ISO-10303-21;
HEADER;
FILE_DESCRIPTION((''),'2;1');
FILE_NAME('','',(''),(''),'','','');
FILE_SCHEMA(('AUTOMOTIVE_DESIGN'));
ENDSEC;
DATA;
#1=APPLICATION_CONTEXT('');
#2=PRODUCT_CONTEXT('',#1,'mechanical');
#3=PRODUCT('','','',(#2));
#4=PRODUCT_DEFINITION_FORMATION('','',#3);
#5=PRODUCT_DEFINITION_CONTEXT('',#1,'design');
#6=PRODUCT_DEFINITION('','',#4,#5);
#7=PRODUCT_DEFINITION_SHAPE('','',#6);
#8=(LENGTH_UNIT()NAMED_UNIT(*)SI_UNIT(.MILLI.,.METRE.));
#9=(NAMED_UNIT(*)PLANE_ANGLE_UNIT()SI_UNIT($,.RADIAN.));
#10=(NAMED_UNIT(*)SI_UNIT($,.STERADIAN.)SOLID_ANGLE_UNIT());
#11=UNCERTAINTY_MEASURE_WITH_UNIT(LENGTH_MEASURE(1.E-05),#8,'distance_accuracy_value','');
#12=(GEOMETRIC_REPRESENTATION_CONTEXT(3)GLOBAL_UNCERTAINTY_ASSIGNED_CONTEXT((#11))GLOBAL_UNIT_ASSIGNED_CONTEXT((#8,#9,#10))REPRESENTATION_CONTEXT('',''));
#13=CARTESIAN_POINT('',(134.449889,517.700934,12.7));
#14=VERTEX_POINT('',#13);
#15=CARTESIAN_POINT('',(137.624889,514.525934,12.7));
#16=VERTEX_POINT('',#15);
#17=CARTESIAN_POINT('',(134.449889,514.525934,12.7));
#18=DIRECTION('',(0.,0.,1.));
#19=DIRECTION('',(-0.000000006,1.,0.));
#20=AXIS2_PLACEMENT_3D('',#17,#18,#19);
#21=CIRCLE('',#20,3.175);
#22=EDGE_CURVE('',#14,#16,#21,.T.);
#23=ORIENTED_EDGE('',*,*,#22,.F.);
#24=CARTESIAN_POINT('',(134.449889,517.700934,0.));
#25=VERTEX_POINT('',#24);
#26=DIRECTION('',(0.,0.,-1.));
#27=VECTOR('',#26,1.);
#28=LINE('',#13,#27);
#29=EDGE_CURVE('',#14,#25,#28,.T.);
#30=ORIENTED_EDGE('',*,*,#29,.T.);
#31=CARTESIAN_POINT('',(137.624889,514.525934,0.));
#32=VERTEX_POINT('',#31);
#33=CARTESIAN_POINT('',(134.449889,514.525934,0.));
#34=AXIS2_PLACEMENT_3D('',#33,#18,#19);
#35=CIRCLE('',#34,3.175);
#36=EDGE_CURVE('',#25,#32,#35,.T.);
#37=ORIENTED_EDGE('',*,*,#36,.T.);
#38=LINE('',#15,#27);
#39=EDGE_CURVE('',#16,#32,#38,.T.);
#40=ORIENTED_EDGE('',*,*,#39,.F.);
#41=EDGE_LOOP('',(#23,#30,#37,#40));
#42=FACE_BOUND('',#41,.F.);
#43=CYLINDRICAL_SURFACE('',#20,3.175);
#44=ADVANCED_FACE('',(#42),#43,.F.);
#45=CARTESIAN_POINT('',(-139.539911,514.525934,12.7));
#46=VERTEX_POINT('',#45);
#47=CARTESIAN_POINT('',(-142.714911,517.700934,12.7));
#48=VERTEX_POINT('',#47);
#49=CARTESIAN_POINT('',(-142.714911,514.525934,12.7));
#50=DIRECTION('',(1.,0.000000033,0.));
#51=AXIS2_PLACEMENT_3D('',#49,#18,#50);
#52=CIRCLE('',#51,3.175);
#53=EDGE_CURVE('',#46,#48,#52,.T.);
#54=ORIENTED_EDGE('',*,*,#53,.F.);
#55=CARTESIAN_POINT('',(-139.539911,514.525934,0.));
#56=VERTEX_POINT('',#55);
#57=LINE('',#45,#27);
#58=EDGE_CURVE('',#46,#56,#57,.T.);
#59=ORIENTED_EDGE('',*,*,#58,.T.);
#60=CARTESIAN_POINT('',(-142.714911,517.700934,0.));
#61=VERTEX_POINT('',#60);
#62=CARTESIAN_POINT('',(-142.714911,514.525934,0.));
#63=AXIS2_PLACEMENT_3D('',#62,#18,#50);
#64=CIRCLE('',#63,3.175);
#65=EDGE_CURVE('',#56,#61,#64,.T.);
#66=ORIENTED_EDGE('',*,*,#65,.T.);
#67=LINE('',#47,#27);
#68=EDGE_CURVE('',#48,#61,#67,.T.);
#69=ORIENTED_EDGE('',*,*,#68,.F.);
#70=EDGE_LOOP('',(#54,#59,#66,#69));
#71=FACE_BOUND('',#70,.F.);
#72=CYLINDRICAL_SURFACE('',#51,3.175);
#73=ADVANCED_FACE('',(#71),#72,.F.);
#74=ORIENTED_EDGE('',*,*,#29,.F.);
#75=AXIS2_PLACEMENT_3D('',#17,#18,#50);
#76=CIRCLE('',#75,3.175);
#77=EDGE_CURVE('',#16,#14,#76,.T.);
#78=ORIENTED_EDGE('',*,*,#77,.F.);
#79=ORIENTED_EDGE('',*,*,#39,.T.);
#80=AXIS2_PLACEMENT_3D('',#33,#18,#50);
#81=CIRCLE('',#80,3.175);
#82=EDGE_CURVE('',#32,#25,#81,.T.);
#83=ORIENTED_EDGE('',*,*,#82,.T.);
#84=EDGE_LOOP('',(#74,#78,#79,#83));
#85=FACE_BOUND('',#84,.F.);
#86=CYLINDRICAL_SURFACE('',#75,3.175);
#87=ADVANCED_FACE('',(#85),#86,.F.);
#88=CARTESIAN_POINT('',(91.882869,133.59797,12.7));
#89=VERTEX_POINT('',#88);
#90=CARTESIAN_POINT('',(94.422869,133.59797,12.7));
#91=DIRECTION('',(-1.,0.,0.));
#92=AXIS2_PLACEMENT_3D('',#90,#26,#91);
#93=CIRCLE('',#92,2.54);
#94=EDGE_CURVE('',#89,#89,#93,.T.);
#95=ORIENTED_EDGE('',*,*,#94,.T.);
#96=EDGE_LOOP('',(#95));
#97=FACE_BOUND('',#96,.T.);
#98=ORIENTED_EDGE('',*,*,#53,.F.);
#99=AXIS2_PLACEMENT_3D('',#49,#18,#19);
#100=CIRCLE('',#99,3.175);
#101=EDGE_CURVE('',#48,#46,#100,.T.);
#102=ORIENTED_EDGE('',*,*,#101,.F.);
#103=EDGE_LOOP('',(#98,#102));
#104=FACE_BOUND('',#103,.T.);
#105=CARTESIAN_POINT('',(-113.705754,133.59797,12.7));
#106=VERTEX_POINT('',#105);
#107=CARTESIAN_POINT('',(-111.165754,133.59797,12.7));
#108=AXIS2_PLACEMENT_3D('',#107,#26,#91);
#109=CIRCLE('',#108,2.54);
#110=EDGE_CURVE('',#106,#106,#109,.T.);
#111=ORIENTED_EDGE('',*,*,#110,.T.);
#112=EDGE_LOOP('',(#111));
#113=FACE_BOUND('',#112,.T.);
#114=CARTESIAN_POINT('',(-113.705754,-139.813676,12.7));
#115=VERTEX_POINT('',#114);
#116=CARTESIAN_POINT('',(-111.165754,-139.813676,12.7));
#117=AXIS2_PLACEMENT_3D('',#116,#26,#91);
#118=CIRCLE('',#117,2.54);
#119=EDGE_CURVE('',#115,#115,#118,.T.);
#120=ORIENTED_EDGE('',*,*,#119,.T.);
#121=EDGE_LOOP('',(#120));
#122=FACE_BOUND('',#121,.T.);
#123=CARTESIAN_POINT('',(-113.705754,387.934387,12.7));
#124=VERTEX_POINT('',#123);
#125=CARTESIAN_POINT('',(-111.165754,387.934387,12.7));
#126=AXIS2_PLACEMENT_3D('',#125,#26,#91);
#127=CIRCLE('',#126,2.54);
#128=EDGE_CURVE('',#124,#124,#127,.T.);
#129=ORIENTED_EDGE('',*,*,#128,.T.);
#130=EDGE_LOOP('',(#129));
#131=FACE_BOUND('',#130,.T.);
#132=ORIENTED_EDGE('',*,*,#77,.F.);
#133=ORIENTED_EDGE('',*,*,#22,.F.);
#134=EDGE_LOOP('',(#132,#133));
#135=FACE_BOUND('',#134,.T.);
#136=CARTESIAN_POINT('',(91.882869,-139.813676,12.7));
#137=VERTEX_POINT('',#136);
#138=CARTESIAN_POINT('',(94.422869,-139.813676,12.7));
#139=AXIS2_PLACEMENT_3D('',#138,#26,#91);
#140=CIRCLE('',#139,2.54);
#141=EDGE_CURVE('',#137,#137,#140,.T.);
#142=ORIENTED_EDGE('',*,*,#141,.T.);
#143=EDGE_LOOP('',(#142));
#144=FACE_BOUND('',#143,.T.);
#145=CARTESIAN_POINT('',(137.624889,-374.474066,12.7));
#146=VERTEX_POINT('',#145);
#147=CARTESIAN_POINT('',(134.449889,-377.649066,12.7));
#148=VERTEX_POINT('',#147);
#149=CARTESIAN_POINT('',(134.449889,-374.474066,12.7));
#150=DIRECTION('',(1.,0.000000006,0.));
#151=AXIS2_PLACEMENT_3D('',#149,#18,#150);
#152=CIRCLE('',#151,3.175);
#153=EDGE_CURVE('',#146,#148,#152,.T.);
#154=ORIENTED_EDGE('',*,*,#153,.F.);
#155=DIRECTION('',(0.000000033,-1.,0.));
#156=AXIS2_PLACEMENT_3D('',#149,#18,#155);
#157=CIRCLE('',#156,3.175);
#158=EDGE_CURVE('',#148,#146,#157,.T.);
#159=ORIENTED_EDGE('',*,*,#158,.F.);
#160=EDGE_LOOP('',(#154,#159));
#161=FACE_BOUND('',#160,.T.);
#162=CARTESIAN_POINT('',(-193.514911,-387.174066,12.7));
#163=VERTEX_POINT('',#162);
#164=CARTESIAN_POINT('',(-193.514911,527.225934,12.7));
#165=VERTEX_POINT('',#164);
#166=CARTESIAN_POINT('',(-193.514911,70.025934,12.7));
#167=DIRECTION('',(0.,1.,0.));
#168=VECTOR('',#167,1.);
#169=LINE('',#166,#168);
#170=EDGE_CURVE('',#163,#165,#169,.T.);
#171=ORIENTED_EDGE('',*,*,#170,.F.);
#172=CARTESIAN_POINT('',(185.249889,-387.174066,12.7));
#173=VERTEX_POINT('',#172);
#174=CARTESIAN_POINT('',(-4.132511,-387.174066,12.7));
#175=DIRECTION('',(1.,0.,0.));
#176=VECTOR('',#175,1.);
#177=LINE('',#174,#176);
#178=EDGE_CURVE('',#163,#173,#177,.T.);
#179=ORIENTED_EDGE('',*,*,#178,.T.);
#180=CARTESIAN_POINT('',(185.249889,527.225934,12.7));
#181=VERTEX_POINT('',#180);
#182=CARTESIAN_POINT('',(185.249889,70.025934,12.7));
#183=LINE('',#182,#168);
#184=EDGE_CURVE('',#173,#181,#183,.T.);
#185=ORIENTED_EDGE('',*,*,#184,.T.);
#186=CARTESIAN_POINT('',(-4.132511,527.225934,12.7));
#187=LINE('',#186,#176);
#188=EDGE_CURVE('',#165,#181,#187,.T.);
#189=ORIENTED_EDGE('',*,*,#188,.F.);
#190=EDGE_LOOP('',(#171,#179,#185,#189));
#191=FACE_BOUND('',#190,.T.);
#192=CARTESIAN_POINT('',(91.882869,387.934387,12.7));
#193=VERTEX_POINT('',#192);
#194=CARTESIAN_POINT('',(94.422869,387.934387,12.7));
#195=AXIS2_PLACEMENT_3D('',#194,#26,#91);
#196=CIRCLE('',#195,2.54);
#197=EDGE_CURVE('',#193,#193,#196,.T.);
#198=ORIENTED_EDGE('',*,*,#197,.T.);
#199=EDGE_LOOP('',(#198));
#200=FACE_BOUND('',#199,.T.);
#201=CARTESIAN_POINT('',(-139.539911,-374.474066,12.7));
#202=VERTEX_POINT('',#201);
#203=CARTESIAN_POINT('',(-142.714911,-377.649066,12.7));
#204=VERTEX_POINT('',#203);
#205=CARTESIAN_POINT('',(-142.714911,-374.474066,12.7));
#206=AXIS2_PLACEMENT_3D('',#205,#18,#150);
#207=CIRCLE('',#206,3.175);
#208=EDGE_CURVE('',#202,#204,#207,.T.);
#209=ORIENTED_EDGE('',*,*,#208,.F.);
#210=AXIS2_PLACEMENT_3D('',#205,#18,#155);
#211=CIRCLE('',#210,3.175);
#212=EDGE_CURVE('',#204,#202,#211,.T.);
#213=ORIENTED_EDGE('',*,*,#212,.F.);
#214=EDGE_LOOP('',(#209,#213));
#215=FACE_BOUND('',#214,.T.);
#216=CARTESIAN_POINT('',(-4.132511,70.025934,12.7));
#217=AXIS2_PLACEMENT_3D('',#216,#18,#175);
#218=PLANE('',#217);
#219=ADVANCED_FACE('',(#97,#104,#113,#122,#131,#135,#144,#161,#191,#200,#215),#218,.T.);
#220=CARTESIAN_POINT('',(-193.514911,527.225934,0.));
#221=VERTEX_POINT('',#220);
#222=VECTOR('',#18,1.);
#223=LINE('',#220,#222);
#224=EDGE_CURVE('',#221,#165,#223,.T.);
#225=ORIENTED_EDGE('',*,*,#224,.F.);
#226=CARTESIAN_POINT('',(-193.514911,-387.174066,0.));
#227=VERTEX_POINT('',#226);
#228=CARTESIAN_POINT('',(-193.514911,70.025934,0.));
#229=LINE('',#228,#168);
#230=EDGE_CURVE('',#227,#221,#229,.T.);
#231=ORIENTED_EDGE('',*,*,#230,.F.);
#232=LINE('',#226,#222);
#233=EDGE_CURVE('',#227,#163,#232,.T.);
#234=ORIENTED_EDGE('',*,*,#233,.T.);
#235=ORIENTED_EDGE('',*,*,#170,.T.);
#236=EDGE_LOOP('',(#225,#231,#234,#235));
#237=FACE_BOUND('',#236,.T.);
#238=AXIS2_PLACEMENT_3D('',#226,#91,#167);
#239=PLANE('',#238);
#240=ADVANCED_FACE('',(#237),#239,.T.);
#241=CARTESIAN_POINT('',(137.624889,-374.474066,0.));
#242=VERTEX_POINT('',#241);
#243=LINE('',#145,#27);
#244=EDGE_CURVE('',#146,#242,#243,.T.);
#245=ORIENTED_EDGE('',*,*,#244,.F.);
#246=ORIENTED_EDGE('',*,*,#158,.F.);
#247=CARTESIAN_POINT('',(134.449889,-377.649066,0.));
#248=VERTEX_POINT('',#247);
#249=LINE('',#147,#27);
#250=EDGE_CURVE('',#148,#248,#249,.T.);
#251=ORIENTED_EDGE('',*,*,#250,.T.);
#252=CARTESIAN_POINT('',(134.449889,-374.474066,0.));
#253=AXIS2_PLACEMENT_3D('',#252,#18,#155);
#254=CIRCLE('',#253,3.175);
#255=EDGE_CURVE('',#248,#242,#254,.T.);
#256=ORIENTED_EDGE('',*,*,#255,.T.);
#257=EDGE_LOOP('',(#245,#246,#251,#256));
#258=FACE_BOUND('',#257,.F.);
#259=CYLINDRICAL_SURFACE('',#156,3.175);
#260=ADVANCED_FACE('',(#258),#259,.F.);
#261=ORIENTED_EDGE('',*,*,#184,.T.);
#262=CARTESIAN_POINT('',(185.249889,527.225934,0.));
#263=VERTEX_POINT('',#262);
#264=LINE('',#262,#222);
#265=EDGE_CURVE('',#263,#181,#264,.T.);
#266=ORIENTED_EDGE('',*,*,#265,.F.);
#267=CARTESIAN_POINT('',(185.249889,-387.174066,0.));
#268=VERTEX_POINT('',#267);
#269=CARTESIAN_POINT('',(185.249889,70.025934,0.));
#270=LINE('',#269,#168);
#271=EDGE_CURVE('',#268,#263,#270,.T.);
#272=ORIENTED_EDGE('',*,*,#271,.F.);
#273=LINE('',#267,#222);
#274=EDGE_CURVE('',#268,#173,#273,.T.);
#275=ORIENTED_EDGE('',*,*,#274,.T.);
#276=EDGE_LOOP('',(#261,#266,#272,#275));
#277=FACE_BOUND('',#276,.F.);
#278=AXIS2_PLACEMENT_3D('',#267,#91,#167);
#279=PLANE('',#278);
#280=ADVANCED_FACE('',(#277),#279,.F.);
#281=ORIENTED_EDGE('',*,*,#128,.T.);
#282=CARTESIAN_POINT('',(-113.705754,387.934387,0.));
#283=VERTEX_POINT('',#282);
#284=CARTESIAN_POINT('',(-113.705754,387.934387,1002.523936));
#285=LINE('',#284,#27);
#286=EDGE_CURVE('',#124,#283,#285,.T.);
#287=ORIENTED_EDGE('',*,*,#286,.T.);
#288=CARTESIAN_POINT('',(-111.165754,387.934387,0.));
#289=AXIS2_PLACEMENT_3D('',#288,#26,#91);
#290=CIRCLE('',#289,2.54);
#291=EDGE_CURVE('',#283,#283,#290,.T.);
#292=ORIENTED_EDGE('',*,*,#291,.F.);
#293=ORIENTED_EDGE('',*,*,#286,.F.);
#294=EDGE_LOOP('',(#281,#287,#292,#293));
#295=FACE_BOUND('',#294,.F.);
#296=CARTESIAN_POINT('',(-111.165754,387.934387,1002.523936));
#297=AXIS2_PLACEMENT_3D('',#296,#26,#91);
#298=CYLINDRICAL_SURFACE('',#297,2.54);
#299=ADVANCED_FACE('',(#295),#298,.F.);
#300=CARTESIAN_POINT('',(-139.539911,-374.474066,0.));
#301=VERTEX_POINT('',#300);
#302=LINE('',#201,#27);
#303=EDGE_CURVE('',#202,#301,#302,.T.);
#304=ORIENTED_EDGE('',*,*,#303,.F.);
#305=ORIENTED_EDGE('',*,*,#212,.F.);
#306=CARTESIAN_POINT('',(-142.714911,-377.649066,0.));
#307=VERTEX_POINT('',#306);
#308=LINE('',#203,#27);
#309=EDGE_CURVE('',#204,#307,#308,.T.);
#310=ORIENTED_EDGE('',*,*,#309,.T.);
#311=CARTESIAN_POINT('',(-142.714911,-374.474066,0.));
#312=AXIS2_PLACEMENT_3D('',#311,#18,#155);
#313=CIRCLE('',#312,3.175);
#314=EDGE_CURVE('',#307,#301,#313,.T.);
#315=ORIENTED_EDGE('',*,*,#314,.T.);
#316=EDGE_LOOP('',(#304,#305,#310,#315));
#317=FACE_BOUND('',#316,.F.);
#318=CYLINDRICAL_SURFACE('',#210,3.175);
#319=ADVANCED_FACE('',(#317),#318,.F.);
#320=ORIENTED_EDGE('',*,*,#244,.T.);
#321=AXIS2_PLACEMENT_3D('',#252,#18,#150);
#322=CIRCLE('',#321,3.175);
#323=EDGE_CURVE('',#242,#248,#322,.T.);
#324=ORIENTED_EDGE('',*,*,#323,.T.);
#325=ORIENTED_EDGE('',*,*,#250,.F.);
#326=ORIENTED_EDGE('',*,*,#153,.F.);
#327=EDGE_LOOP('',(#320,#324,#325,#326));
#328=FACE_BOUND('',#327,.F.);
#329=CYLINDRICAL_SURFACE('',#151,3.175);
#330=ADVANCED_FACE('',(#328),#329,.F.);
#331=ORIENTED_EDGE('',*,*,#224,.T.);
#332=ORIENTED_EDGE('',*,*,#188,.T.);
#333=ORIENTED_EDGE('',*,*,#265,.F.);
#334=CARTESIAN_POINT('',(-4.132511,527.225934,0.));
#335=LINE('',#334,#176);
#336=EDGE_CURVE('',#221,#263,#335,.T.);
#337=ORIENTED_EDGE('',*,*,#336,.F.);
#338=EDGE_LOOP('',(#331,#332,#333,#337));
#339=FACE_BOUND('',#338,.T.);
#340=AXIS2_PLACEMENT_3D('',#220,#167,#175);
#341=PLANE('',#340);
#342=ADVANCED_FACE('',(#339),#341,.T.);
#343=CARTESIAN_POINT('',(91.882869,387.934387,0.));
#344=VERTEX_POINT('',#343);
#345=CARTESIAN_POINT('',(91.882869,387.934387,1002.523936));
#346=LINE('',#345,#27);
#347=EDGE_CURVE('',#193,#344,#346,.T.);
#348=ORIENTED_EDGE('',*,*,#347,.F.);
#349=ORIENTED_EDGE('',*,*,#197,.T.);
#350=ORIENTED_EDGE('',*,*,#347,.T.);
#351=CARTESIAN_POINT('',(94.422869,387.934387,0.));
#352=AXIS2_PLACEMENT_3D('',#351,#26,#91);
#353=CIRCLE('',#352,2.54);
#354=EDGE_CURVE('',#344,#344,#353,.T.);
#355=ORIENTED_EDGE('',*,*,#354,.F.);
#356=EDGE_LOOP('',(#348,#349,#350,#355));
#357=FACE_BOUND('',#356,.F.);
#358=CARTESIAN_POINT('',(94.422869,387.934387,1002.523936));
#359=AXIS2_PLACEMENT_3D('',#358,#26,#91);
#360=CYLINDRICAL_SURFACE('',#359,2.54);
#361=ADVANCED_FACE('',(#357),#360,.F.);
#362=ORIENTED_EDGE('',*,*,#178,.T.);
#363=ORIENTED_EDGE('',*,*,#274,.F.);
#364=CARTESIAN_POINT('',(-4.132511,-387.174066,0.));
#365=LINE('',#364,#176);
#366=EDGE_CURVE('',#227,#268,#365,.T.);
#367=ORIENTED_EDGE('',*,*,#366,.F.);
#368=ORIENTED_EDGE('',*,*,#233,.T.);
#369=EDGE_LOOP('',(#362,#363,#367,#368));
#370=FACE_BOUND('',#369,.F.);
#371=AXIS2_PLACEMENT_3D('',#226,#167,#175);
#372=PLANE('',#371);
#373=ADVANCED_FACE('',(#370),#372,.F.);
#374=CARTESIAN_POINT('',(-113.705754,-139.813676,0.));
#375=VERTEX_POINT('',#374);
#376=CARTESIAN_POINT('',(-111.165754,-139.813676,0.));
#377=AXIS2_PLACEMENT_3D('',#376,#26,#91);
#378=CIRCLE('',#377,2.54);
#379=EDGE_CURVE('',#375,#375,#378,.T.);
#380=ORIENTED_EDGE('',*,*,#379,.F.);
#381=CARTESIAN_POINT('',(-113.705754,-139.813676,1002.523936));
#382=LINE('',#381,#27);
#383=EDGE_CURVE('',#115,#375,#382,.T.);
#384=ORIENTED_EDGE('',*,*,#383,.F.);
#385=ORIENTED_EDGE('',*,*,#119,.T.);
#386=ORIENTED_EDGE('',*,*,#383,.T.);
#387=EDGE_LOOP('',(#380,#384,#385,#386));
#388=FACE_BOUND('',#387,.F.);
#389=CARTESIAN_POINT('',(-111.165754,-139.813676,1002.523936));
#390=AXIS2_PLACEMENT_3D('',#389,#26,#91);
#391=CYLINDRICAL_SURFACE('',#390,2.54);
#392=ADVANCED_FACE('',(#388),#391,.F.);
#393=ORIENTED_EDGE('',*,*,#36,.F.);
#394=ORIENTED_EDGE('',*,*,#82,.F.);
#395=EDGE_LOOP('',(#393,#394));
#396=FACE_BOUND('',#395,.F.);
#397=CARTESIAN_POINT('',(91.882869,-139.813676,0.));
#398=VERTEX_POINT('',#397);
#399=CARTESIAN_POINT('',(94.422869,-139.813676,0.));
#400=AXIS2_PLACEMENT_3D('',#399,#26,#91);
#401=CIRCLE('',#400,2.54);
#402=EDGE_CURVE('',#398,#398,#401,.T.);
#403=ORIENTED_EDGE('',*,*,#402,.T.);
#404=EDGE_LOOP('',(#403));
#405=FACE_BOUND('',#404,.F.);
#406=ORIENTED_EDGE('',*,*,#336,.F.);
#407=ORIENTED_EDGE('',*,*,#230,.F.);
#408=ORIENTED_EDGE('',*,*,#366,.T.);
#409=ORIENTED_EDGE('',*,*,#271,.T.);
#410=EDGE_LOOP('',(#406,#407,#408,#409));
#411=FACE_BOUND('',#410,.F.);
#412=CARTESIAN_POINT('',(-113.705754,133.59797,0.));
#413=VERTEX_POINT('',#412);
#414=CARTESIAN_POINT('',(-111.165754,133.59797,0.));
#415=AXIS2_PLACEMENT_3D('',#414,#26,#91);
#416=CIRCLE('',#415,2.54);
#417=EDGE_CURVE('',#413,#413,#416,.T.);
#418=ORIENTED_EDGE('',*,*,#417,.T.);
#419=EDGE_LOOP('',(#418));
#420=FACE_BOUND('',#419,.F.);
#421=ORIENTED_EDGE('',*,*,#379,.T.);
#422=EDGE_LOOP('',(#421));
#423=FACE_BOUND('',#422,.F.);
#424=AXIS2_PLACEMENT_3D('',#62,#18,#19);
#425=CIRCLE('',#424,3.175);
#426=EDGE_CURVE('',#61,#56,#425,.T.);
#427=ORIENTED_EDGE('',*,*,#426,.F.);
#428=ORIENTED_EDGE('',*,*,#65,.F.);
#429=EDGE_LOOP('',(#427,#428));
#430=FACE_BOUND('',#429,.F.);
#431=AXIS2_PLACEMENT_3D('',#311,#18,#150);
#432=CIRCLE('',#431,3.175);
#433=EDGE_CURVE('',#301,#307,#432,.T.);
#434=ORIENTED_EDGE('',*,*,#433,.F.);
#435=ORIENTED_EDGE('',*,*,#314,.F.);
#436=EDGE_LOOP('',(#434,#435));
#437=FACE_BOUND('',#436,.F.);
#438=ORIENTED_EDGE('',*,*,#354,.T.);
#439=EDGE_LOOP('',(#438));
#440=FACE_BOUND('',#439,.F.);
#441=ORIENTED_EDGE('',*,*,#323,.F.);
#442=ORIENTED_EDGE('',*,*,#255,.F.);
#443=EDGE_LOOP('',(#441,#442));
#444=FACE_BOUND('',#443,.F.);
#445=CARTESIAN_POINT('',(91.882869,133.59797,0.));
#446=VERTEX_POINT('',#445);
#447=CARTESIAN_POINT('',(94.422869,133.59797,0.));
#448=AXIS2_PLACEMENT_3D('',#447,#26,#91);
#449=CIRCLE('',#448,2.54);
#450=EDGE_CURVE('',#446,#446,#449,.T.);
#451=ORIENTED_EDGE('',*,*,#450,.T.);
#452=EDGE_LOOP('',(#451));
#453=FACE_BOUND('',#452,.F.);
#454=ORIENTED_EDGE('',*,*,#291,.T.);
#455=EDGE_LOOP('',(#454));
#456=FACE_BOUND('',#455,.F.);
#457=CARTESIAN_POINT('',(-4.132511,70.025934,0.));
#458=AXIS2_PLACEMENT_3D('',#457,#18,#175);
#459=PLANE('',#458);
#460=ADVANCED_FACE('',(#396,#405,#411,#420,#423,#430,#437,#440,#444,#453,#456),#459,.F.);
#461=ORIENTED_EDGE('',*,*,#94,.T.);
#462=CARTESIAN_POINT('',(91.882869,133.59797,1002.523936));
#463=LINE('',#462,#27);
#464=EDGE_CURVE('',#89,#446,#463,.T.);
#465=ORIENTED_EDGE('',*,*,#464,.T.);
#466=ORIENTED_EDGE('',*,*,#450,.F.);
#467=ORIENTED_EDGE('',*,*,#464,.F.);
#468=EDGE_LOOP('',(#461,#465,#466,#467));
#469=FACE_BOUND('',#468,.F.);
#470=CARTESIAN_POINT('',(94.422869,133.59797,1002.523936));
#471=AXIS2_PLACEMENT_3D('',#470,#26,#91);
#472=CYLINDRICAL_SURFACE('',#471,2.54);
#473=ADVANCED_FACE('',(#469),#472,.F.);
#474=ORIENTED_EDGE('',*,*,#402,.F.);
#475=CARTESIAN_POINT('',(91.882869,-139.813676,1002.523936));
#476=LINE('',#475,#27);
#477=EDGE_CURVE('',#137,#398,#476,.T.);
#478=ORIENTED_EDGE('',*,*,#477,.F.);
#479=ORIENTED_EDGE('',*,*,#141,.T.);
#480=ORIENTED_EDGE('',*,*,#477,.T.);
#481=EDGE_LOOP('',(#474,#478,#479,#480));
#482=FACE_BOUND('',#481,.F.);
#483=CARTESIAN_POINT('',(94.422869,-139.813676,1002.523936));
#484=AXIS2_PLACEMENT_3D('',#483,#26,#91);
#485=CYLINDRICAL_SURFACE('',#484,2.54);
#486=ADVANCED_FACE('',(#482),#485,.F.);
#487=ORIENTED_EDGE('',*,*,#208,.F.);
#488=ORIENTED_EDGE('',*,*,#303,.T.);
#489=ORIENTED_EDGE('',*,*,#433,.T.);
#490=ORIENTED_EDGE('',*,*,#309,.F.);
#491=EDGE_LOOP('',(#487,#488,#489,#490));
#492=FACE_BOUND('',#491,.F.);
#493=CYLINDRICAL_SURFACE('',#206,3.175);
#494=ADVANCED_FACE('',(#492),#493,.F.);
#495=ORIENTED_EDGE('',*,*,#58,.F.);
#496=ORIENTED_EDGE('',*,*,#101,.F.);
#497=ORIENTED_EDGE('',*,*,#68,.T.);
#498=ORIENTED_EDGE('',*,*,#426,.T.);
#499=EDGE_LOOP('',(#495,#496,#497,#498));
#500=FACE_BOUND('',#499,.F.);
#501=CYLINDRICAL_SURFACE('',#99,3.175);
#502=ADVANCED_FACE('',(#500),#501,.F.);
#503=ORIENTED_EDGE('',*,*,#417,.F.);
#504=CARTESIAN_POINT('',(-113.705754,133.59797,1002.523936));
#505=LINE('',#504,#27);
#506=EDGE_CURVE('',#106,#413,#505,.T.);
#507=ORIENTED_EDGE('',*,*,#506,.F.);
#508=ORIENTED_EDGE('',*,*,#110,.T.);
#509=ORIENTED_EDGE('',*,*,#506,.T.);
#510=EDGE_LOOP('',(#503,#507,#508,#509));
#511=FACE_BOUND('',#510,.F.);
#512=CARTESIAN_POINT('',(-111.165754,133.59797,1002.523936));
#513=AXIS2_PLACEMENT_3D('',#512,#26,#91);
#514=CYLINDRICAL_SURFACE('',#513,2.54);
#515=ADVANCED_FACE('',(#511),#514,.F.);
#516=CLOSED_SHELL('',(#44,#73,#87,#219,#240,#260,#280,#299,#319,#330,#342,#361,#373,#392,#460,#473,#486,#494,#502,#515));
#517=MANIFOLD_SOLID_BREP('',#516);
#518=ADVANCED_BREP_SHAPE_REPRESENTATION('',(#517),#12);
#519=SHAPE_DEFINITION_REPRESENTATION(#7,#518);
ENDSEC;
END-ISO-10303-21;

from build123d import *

# Parameters (mm, degrees)
F0_W     = 378.7648
F0_H     = 914.4
F1_DEPTH = 12.7
F3_DEPTH = 12.701
F5_D     = 5.08


with BuildPart() as f1:
    # F0 (on Top) → F1 (new body)
    with BuildSketch(Plane.XY):
        with Locations((-4.132511, 70.025934)):
            Rectangle(F0_W, F0_H)
    extrude(amount=F1_DEPTH)

    # F2 (on face) → F3 (cut, through all)
    with BuildSketch(Plane.XY.offset(12.7)):
        with BuildLine():
            ThreePointArc((-142.714911, 517.700934), (-144.959975, 512.28087), (-139.539911, 514.525934))
            ThreePointArc((-139.539911, 514.525934), (-140.469847, 516.770998), (-142.714911, 517.700934))
        make_face()
        with BuildLine():
            ThreePointArc((134.449889, 517.700934), (132.204825, 512.28087), (137.624889, 514.525934))
            ThreePointArc((137.624889, 514.525934), (136.694953, 516.770998), (134.449889, 517.700934))
        make_face()
        with BuildLine():
            ThreePointArc((-142.714911, -377.649066), (-140.469847, -376.71913), (-139.539911, -374.474066))
            ThreePointArc((-139.539911, -374.474066), (-144.959975, -372.229002), (-142.714911, -377.649066))
        make_face()
        with BuildLine():
            ThreePointArc((134.449889, -377.649066), (136.694953, -376.71913), (137.624889, -374.474066))
            ThreePointArc((137.624889, -374.474066), (132.204825, -372.229002), (134.449889, -377.649066))
        make_face()
    extrude(amount=-F3_DEPTH, mode=Mode.SUBTRACT)

    # F5 (through all)
    with Locations(Plane.XY.offset(12.7)):
        with Locations((-111.165754, 387.934387), (94.422869, 387.934387), (94.422869, 133.59797), (-111.165754, 133.59797), (-111.165754, -139.813676), (94.422869, -139.813676)):
            Hole(F5_D / 2)


solid = f1.part
